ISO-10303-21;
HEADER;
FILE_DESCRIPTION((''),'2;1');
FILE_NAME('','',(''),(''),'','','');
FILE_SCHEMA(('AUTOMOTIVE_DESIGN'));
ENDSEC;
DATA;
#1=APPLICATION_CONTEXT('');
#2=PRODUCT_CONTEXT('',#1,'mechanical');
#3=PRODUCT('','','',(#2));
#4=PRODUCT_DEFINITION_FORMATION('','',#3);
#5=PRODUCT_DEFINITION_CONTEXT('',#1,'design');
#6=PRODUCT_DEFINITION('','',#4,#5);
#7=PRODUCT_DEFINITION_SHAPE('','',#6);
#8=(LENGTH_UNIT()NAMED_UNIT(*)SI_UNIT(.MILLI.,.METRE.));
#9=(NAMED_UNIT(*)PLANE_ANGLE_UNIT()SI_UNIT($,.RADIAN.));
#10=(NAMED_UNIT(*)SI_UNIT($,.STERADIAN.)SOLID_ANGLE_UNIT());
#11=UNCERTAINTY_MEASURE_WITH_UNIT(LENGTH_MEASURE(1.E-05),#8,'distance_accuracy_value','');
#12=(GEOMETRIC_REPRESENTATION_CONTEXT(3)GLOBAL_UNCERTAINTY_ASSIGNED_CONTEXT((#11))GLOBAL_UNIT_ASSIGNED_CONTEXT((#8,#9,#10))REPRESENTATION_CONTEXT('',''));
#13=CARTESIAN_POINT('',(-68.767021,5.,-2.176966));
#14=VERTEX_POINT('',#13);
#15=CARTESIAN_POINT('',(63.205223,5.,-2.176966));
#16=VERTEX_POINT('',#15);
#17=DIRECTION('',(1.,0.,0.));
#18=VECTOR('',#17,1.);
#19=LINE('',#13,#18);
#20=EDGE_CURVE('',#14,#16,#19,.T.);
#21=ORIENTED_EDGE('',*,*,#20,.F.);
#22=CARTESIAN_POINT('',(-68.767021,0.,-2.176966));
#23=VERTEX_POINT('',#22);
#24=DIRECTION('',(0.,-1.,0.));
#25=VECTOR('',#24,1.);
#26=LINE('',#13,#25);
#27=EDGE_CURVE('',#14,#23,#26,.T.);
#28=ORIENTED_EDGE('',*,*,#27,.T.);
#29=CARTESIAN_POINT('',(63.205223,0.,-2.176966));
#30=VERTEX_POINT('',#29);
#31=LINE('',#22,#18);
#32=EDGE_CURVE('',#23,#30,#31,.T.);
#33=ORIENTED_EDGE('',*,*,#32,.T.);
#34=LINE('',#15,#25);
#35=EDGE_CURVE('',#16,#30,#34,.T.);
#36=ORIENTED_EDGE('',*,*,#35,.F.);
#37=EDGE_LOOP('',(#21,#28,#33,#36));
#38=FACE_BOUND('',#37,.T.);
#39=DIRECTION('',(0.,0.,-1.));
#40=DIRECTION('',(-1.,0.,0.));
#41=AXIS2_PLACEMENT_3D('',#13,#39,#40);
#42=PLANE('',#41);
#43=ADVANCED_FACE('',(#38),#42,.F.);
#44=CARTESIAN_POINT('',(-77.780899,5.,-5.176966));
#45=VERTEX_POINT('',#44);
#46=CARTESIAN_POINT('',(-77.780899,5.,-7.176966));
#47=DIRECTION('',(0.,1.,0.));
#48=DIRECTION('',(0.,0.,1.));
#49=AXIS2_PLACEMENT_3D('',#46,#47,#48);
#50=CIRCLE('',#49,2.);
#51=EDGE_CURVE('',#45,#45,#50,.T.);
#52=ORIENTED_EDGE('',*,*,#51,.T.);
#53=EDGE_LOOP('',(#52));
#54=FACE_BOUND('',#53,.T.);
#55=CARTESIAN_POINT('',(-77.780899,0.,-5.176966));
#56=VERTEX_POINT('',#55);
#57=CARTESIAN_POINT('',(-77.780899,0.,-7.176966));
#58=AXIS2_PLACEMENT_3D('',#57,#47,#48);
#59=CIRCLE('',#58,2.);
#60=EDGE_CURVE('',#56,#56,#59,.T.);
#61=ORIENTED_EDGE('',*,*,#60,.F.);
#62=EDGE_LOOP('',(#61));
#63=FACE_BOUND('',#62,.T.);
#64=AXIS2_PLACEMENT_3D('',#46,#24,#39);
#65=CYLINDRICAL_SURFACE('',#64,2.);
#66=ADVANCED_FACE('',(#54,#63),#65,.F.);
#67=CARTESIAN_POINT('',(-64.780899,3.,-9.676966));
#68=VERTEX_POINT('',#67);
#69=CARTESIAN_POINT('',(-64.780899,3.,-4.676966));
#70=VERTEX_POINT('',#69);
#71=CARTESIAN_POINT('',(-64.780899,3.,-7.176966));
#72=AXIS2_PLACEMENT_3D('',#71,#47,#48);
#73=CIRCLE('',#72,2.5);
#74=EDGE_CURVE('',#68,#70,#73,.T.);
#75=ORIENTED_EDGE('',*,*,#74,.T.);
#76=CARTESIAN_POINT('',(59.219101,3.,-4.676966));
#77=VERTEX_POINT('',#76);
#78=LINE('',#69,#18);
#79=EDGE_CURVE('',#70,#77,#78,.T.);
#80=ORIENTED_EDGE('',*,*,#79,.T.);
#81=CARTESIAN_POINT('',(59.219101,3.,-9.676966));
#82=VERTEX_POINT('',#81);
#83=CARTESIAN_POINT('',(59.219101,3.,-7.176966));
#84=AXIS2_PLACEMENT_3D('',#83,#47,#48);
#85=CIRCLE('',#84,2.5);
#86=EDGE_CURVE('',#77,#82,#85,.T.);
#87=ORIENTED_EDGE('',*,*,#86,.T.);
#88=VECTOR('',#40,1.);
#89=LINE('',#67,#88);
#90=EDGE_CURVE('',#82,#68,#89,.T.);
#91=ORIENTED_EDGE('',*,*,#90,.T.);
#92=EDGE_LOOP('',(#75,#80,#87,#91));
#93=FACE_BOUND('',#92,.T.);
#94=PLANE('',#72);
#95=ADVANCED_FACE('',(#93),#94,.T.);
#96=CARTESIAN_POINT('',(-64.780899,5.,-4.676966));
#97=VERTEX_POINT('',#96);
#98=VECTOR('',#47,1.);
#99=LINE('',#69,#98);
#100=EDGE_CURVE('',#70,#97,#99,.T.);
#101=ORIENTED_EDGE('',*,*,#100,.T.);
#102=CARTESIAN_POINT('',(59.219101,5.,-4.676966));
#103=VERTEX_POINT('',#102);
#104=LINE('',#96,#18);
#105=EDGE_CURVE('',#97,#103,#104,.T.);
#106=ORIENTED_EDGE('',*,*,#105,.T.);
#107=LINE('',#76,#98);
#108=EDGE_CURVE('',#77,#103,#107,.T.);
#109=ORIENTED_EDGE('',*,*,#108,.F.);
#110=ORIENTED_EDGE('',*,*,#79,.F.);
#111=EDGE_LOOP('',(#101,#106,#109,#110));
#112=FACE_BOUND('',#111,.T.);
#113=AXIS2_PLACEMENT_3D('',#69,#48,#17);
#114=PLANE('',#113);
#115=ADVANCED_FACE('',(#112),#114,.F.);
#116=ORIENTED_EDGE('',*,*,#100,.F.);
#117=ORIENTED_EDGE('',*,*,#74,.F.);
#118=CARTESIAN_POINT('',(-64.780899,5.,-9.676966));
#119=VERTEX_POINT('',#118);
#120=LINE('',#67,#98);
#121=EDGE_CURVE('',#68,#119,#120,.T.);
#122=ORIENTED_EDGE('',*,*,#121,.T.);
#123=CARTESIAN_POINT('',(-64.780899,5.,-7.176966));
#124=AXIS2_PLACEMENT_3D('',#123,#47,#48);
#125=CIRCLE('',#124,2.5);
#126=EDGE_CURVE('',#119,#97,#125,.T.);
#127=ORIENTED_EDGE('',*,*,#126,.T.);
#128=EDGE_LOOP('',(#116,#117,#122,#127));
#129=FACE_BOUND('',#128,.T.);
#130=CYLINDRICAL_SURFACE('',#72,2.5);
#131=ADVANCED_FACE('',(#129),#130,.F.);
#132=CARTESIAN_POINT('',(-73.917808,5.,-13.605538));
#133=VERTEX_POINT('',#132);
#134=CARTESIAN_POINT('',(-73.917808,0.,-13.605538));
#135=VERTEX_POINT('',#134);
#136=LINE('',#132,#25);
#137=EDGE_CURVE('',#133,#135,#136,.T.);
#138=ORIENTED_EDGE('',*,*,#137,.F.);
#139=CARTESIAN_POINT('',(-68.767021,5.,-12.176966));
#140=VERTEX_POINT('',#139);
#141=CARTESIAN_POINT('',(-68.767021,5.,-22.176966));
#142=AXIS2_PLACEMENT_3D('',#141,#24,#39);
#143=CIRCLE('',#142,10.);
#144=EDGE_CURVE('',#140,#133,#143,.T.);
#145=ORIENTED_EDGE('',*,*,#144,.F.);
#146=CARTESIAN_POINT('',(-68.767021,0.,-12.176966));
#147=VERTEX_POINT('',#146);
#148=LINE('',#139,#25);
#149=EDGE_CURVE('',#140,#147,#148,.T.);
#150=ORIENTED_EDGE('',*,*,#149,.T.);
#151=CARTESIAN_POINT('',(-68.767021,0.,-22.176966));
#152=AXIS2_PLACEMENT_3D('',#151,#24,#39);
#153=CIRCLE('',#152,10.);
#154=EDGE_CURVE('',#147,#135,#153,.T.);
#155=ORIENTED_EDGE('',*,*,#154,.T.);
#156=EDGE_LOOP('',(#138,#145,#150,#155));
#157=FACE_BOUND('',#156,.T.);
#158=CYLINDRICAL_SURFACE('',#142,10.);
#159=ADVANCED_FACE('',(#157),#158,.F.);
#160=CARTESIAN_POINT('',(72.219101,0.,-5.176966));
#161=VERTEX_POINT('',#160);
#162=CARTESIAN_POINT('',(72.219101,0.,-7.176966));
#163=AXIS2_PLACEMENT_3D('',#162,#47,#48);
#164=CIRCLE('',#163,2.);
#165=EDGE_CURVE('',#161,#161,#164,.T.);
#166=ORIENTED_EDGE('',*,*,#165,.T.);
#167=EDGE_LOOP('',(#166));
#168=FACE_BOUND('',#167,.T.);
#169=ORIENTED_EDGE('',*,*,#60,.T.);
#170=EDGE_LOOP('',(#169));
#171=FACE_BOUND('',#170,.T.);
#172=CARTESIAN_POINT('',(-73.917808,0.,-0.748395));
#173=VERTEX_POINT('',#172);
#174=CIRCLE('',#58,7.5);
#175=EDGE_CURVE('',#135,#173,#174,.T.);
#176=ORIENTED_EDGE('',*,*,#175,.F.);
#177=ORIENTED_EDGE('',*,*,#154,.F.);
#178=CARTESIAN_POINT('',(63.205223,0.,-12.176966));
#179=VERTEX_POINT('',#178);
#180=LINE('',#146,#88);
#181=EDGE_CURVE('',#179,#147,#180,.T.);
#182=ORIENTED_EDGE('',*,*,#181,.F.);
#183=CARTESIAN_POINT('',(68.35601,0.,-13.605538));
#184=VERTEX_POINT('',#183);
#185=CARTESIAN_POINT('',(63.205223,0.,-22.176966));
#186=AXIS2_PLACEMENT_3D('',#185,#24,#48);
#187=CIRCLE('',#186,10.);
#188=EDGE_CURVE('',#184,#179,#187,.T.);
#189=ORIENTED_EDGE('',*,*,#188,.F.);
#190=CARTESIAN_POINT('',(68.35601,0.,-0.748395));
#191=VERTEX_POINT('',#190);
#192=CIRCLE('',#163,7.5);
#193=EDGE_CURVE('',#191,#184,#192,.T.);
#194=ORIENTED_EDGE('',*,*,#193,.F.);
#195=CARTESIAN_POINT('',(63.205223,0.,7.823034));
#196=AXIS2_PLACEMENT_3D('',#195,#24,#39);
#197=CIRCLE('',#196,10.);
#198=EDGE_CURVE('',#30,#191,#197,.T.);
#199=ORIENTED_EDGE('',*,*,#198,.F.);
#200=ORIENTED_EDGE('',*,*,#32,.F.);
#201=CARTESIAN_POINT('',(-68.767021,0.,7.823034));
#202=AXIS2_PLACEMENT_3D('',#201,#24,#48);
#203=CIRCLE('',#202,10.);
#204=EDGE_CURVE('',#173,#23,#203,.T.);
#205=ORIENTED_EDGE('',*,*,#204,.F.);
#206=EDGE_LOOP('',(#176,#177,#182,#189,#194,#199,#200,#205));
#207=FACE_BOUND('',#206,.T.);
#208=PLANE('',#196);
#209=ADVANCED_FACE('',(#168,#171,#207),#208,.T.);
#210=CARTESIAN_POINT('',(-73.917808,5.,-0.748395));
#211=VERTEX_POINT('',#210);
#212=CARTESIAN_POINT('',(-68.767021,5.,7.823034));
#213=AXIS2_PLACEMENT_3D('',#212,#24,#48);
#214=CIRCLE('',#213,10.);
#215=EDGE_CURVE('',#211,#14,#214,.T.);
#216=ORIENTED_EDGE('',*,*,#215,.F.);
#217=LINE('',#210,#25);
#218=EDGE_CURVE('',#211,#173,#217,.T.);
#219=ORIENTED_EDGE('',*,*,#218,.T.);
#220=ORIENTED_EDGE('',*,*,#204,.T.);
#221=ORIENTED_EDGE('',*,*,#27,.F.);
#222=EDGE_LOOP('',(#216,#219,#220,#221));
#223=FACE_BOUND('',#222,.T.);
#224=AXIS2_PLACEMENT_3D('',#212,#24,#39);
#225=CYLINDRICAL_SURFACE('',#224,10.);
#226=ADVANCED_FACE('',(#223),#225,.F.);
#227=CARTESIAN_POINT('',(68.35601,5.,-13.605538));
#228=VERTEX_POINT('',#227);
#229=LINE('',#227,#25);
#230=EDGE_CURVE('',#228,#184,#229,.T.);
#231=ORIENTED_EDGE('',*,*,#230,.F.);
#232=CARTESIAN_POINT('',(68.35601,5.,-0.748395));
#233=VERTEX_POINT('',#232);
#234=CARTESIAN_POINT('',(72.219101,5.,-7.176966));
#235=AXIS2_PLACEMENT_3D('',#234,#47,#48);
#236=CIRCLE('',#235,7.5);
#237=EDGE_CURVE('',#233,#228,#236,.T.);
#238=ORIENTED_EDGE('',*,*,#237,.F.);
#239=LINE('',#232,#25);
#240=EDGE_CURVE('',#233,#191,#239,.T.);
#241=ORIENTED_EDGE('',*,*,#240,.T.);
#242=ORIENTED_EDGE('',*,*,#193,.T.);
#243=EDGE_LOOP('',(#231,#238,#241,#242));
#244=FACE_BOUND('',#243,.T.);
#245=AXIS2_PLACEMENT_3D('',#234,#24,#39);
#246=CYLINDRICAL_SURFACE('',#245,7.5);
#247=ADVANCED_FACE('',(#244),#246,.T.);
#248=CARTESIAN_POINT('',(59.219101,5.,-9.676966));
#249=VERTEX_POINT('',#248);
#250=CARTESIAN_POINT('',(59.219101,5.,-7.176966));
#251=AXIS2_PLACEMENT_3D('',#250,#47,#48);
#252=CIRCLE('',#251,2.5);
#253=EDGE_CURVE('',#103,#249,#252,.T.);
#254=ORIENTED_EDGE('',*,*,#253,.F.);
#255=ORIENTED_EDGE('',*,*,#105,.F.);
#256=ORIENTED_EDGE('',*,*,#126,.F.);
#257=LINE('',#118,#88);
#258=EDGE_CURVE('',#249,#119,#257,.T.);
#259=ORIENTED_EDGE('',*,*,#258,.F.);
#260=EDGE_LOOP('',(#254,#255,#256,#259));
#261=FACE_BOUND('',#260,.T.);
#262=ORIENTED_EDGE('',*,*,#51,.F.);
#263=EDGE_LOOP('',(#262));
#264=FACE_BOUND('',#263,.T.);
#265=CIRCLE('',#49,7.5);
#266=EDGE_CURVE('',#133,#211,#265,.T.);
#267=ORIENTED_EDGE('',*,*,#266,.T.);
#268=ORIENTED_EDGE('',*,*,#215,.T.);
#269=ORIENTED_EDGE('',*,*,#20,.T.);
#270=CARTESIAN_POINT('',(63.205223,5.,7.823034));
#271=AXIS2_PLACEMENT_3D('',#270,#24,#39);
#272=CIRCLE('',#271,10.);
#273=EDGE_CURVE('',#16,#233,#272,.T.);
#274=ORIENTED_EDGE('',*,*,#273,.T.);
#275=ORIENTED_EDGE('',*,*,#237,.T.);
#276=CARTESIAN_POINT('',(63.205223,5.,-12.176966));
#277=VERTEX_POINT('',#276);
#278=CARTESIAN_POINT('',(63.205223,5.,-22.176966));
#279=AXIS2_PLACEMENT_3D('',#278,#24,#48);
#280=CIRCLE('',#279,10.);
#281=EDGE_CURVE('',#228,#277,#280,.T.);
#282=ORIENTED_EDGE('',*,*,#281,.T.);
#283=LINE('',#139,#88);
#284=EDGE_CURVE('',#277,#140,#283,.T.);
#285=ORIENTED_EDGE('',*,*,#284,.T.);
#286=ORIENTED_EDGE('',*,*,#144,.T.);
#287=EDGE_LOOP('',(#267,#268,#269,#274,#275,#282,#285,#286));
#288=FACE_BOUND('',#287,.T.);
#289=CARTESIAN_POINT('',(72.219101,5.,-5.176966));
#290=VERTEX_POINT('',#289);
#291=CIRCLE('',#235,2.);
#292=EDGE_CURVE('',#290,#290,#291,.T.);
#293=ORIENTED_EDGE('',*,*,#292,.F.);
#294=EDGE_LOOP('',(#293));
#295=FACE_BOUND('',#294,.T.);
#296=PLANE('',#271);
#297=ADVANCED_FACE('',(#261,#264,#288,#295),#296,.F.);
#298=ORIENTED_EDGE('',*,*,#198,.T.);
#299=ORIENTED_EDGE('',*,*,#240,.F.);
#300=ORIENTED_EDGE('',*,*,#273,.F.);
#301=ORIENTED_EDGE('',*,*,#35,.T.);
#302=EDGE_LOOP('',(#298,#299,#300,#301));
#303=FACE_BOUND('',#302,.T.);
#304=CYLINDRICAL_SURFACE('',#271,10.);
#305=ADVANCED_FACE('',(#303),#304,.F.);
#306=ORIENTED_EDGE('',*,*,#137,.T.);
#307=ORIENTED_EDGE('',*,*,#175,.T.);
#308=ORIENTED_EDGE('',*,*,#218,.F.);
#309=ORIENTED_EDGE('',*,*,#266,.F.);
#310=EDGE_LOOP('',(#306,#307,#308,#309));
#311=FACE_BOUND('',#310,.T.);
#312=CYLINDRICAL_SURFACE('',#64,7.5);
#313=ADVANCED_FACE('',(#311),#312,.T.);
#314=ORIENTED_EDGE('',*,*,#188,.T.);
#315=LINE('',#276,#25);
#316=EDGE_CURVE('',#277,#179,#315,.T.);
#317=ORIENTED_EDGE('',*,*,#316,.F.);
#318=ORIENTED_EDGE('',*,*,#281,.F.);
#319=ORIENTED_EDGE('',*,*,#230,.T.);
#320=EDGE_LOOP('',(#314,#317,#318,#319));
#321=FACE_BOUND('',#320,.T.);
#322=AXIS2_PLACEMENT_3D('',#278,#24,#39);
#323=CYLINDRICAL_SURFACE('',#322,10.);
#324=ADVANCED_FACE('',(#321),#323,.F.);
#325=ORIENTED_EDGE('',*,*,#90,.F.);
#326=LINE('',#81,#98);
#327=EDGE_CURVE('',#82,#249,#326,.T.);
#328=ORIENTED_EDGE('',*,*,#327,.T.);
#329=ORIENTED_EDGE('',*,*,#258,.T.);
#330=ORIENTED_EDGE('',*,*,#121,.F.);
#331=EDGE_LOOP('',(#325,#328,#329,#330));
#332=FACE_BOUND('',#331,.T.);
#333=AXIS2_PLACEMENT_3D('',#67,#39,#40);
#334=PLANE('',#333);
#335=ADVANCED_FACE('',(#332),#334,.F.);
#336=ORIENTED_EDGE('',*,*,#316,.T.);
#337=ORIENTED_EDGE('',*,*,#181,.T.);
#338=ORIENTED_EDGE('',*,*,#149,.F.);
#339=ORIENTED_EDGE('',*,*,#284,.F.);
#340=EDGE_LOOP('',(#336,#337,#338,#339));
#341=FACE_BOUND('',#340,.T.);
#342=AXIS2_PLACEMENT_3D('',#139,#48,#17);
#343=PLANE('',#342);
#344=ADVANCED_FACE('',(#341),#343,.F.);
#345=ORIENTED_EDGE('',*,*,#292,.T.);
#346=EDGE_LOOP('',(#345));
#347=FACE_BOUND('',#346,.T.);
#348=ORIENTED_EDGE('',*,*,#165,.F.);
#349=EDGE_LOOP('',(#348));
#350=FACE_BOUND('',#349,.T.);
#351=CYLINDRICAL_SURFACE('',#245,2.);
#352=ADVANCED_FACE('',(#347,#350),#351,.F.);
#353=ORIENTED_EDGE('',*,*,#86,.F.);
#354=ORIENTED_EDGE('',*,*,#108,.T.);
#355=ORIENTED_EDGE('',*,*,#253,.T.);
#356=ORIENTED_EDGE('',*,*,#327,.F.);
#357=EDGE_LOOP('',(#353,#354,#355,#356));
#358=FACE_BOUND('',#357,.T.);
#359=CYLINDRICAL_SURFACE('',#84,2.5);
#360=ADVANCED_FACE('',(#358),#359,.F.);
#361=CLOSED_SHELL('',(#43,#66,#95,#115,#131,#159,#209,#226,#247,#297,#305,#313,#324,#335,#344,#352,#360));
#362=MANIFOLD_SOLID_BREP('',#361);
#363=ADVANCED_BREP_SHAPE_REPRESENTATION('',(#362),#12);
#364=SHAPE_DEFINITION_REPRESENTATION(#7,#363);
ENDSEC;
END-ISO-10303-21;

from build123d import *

# Parameters (mm, degrees)
SKETCH1_R           = 2
BOSS_EXTRUDE1_DEPTH = 5
CUT_EXTRUDE1_DEPTH  = 2


with BuildPart() as part:
    # Sketch1 → Boss-Extrude1 (new body)
    with BuildSketch(Plane(origin=(0, 0, 0), x_dir=(1, 0, 0), z_dir=(0, 1, 0))):
        with BuildLine():
            Line((-68.767020688, 12.176966292), (63.205222935, 12.176966292))
            ThreePointArc((63.205222935, 12.176966292), (65.877835354, 12.540725176), (68.356010471, 13.605537721))
            ThreePointArc((68.356010471, 13.605537721), (79.719101124, 7.176966292), (68.356010471, 0.748394864))
            ThreePointArc((68.356010471, 0.748394864), (65.877835354, 1.813207409), (63.205222935, 2.176966292))
            Line((63.205222935, 2.176966292), (-68.767020688, 2.176966292))
            ThreePointArc((-68.767020688, 2.176966292), (-71.439633107, 1.813207409), (-73.917808224, 0.748394864))
            ThreePointArc((-73.917808224, 0.748394864), (-85.280898876, 7.176966292), (-73.917808224, 13.605537721))
            ThreePointArc((-73.917808224, 13.605537721), (-71.439633107, 12.540725176), (-68.767020688, 12.176966292))
        make_face()
        with Locations(Location((-77.780898876, 7.176966292, 0), (0, 0, 270))):
            Circle(SKETCH1_R, mode=Mode.SUBTRACT)
        with Locations(Location((72.219101124, 7.176966292, 0), (0, 0, 270))):
            Circle(SKETCH1_R, mode=Mode.SUBTRACT)
    extrude(amount=BOSS_EXTRUDE1_DEPTH)

    # Sketch3 → Cut-Extrude1 (cut)
    with BuildSketch(Plane(origin=(0, 5, 0), x_dir=(1, 0, 0), z_dir=(0, 1, 0))):
        with BuildLine():
            Line((-64.780898876, 9.676966292), (59.219101124, 9.676966292))
            ThreePointArc((59.219101124, 9.676966292), (61.719101124, 7.176966292), (59.219101124, 4.676966292))
            Line((59.219101124, 4.676966292), (-64.780898876, 4.676966292))
            ThreePointArc((-64.780898876, 4.676966292), (-67.280898876, 7.176966292), (-64.780898876, 9.676966292))
        make_face()
    extrude(amount=-CUT_EXTRUDE1_DEPTH, mode=Mode.SUBTRACT)


solid = part.part
